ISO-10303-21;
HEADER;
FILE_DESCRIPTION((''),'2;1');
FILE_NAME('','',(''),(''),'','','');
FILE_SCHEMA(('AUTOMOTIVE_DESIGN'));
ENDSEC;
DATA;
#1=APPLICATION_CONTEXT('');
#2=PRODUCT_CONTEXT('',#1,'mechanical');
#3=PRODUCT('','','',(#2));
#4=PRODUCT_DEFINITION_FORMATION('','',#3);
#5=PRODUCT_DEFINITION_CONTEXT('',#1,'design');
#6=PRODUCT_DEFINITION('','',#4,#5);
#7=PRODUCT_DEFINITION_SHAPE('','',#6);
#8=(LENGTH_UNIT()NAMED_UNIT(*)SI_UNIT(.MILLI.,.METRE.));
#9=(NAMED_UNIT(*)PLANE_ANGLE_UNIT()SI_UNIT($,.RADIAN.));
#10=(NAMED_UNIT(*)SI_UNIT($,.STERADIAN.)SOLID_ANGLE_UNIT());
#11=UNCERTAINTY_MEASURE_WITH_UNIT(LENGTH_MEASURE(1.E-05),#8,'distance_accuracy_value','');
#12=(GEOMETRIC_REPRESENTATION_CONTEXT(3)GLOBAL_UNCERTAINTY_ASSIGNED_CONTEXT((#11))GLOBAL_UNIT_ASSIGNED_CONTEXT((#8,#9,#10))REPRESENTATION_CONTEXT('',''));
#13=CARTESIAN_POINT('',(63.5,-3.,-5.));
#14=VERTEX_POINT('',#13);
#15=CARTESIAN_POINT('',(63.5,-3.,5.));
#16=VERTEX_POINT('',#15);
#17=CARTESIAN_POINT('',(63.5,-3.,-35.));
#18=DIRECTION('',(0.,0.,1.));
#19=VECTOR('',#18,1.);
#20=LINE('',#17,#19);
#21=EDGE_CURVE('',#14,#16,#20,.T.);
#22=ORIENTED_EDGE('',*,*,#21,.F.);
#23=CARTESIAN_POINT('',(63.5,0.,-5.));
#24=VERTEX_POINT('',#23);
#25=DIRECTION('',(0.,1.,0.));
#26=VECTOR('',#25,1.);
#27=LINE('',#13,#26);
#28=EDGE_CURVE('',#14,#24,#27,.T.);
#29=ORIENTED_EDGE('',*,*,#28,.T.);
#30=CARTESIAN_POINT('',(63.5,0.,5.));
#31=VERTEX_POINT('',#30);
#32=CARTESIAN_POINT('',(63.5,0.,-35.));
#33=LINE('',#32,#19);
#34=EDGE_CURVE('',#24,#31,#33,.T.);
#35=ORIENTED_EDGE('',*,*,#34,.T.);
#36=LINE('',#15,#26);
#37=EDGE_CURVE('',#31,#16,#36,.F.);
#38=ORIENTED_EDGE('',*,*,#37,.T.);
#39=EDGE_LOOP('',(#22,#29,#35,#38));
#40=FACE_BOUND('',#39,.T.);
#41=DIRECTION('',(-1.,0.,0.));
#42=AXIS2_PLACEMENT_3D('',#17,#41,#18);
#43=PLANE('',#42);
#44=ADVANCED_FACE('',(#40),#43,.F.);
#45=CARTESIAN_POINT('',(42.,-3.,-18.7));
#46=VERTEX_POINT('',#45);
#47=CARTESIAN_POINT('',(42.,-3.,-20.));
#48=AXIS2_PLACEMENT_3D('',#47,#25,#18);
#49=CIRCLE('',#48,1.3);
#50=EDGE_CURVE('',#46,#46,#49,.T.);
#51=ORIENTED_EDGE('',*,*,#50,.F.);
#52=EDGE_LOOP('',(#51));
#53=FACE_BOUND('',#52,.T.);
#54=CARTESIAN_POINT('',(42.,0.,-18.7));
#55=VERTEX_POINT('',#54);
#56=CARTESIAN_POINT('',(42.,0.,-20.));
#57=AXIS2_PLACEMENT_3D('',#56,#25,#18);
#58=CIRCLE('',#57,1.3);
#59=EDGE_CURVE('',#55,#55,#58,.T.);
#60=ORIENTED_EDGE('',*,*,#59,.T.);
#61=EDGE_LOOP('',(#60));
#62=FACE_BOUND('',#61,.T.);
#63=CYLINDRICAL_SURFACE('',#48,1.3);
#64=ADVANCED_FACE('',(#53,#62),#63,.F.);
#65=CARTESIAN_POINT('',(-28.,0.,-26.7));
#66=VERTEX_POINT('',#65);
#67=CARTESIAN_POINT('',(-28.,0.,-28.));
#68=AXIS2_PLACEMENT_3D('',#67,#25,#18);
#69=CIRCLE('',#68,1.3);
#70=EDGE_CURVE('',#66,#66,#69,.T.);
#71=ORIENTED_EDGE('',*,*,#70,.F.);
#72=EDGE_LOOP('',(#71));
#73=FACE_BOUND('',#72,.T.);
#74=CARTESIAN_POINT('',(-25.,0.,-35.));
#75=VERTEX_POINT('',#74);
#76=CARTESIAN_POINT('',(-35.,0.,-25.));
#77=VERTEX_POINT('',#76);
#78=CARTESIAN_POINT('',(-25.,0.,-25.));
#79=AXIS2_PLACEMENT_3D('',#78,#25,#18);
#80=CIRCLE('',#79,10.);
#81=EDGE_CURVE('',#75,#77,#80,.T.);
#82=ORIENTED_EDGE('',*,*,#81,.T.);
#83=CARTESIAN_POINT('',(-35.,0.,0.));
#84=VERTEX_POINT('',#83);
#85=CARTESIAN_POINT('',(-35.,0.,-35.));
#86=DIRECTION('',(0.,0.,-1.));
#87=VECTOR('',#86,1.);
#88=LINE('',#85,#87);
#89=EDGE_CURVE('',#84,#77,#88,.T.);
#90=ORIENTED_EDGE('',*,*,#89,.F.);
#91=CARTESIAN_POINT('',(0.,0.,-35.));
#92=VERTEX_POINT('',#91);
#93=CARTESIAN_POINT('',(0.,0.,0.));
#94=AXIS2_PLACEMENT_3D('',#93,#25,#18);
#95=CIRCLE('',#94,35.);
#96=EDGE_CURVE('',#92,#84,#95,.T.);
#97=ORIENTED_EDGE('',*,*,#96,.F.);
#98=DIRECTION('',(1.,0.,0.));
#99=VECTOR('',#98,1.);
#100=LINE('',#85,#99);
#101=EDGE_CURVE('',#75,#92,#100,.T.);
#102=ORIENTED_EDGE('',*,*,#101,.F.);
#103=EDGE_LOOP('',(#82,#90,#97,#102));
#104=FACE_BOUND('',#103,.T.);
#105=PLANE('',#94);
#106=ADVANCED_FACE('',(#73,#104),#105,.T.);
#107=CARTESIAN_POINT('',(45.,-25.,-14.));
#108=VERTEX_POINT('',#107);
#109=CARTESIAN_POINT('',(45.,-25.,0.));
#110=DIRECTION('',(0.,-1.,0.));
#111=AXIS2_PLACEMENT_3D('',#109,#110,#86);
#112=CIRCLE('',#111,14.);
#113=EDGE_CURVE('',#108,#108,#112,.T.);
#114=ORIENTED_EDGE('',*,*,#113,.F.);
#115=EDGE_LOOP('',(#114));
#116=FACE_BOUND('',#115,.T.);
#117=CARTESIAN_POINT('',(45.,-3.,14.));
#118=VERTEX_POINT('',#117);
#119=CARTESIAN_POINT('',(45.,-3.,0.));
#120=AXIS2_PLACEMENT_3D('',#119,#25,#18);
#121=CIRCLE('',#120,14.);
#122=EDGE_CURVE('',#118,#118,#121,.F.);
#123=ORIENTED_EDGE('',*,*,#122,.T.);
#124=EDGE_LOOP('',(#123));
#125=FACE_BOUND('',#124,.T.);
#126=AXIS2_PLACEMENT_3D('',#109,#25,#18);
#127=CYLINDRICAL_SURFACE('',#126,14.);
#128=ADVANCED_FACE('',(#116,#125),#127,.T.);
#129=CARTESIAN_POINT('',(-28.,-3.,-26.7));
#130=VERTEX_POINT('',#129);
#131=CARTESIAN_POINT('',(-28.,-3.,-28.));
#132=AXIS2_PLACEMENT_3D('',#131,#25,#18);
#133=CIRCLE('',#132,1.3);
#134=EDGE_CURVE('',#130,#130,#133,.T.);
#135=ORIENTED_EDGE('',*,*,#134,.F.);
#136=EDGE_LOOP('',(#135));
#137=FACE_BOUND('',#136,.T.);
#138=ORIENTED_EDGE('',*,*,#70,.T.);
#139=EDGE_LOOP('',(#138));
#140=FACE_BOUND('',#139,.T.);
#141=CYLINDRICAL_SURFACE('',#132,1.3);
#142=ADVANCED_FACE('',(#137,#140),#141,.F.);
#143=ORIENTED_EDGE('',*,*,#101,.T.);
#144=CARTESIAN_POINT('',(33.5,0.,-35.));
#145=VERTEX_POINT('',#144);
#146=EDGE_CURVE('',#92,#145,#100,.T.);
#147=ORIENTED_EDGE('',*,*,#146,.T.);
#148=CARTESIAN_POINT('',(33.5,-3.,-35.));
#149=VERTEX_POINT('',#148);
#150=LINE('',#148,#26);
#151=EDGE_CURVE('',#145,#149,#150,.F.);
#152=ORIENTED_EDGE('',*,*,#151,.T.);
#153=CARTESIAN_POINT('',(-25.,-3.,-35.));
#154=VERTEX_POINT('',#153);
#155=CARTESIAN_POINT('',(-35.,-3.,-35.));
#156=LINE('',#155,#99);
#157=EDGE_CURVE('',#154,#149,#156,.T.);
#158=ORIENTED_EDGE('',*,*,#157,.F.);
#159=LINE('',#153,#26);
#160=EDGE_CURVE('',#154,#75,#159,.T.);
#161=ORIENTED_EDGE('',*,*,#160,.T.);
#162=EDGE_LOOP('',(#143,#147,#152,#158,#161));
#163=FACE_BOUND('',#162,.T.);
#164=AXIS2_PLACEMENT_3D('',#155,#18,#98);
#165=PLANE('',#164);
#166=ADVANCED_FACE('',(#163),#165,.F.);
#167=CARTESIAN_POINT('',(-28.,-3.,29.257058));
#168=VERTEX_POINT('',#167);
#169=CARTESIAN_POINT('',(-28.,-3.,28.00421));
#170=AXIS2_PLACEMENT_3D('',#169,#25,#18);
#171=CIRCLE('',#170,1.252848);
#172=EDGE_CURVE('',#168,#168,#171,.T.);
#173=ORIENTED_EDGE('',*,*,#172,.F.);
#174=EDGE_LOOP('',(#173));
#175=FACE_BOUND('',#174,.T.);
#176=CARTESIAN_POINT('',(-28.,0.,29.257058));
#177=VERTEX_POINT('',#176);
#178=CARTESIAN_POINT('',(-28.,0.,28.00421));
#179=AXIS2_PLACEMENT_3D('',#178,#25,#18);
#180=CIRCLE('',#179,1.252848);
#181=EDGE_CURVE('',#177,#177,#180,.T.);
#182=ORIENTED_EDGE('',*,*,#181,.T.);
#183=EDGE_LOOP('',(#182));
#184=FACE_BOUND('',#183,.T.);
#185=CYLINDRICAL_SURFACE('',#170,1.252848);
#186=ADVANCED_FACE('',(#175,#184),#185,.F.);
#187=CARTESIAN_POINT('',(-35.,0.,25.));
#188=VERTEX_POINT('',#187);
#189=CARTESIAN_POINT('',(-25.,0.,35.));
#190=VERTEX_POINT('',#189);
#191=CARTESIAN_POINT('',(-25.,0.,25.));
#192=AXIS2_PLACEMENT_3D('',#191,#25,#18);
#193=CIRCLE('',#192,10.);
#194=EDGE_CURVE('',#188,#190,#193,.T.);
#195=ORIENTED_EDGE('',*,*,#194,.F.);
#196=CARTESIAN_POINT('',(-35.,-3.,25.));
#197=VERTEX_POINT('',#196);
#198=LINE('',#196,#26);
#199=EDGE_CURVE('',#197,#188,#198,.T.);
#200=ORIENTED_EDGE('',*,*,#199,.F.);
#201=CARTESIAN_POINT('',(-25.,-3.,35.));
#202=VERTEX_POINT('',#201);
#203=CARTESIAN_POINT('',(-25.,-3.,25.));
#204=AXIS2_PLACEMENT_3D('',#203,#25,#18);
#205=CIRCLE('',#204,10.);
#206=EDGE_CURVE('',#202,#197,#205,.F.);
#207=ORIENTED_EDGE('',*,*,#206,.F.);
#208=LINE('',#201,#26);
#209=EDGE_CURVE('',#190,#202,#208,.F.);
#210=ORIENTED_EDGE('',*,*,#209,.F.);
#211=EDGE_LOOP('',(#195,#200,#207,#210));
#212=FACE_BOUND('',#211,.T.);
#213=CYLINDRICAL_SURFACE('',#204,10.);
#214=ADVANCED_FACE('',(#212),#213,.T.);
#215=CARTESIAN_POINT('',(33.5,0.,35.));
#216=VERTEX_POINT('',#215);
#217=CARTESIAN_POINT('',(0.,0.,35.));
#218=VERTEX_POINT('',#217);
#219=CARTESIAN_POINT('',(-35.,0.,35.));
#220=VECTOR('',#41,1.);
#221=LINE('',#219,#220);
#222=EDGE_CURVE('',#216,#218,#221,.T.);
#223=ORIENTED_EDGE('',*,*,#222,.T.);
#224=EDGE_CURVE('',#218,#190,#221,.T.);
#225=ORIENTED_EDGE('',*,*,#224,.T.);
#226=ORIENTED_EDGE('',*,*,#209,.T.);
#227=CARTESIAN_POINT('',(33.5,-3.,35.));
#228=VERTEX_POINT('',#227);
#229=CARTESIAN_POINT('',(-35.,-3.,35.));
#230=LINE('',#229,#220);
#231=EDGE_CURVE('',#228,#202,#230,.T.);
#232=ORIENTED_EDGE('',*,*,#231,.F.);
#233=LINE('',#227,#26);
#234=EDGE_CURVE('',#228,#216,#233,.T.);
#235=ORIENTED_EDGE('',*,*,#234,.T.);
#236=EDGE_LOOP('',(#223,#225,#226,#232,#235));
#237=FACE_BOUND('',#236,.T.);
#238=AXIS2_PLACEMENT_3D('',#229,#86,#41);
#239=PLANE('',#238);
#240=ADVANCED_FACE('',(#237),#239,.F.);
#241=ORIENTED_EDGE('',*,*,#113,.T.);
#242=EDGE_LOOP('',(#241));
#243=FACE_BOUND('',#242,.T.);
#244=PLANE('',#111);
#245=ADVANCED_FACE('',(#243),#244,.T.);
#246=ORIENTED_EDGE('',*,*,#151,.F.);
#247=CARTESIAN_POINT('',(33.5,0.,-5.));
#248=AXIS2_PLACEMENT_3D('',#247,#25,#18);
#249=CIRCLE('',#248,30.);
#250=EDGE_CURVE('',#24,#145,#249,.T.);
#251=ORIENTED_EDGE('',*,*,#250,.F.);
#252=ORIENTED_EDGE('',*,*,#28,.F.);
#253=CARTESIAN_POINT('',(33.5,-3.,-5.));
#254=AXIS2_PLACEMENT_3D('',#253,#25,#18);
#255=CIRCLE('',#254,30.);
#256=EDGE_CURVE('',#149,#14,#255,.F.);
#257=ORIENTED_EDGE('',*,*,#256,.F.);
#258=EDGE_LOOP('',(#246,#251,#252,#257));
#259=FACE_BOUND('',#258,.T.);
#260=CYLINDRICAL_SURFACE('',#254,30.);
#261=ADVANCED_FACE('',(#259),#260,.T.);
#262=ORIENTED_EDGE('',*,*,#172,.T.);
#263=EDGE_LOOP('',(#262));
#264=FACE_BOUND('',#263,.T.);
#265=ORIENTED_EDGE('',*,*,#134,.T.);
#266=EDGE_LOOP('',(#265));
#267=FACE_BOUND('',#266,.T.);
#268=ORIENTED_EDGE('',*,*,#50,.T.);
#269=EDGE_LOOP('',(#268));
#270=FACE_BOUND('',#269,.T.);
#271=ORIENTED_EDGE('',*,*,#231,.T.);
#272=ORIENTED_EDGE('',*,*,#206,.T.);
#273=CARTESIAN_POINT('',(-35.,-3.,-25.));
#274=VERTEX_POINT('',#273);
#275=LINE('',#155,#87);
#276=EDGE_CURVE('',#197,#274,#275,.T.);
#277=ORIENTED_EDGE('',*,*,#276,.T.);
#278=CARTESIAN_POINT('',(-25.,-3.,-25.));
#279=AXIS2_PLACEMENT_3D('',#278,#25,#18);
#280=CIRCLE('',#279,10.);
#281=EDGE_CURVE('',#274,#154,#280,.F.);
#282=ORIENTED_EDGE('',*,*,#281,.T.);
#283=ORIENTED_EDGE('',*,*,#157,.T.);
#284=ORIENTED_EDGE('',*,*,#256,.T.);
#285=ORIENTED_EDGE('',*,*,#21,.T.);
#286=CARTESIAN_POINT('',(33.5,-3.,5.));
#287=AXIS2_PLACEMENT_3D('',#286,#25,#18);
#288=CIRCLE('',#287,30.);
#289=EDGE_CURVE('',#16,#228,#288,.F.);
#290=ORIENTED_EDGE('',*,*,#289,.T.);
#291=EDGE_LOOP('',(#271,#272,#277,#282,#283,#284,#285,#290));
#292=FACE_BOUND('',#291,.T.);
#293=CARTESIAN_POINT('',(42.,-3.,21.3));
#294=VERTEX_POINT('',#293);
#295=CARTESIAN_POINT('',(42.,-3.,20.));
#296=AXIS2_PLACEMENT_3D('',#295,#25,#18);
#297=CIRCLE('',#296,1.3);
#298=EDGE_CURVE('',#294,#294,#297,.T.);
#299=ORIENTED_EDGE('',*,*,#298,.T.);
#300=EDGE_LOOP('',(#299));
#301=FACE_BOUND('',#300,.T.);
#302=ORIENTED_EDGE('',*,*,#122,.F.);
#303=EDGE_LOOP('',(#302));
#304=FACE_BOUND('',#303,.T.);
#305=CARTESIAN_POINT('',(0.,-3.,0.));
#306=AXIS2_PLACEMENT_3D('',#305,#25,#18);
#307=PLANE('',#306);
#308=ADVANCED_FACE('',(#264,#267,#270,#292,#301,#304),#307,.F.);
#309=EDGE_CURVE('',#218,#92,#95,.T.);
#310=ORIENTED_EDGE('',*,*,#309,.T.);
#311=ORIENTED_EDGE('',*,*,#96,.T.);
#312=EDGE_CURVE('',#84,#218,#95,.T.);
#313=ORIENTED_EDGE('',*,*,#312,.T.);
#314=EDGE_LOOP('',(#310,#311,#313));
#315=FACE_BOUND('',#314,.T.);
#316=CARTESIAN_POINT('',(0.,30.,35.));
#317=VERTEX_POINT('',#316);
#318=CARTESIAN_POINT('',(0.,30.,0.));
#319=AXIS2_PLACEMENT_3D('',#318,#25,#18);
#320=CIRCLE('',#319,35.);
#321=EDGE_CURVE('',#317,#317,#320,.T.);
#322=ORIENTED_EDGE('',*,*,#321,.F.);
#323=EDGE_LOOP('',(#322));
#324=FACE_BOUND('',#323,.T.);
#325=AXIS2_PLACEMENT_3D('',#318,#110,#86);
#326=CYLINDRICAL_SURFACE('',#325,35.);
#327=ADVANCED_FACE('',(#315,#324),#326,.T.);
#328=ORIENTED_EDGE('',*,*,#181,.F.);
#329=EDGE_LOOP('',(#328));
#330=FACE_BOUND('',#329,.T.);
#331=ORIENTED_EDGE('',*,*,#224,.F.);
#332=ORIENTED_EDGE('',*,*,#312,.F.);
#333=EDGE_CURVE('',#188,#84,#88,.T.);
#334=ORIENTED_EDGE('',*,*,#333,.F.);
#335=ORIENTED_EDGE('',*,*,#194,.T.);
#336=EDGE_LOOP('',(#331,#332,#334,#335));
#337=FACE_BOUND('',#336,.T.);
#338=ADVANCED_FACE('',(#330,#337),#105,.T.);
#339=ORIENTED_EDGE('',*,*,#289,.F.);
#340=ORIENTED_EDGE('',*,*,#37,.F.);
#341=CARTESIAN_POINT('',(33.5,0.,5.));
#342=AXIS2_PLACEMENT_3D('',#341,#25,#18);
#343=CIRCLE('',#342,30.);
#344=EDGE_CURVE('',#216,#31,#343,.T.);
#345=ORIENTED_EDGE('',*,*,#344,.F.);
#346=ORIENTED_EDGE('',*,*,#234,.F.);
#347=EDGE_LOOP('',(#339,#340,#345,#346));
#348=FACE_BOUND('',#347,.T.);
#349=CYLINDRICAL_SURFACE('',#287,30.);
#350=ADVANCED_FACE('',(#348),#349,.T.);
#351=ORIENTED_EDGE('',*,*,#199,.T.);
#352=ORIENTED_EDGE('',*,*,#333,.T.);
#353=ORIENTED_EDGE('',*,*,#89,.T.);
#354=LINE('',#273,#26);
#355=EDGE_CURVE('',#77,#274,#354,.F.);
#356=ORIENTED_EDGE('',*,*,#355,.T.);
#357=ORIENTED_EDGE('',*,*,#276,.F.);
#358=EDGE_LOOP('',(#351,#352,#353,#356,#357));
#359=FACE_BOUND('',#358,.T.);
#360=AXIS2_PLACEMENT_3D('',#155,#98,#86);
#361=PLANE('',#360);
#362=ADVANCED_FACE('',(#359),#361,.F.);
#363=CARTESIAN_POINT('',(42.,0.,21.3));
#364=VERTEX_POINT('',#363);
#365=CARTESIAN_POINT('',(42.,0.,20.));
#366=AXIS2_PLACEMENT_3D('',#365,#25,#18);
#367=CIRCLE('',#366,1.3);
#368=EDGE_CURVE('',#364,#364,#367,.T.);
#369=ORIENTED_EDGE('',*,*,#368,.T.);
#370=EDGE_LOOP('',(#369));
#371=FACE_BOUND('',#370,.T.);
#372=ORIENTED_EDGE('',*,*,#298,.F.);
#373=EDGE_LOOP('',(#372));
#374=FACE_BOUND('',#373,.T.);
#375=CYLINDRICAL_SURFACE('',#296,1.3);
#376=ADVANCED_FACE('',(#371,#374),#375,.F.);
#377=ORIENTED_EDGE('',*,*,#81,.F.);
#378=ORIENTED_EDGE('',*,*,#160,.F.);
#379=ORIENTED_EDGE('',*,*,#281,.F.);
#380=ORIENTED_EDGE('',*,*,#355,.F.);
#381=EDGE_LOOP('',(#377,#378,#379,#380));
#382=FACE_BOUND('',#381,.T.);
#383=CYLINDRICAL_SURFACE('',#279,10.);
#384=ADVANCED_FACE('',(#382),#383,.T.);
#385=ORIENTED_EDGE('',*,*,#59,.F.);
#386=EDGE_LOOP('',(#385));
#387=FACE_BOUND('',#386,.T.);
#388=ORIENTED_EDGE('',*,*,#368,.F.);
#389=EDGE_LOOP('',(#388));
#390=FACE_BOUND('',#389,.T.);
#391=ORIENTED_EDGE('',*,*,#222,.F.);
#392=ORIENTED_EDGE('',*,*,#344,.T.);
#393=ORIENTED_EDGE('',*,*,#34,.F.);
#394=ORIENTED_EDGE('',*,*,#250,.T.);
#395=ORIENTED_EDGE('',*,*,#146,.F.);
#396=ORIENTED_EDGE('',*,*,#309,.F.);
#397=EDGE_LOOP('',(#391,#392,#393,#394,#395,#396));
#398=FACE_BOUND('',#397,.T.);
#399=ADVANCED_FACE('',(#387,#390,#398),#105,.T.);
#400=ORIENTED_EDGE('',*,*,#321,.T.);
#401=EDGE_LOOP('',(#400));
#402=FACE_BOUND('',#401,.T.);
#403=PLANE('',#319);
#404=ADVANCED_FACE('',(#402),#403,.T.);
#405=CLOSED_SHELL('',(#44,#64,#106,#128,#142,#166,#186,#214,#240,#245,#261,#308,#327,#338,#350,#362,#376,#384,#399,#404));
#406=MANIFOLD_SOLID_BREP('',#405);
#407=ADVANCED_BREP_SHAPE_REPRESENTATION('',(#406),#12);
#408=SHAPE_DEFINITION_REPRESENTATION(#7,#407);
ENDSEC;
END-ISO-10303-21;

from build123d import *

# Parameters (mm, degrees)
SKETCH_1_R          = 35
EXTRUDE_1_DEPTH     = 30
SKETCH_2_W          = 98.5
SKETCH_2_H          = 70
EXTRUDE_2_DEPTH     = 3
FILLET_1_R          = 10
FILLET_2_R          = 30
FILLET_3_R          = 30
SKETCH_3_R          = 1.3
SKETCH_3_R_2        = 1.252848492
CUT_EXTRUDE_1_DEPTH = 3
SKETCH_4_R          = 14
EXTRUDE_3_DEPTH     = 22


with BuildPart() as part:
    # 스케치1 → 보스-돌출1 (new body)
    with BuildSketch(Plane(origin=(0, 0, 0), x_dir=(1, 0, 0), z_dir=(0, 1, 0))):
        Circle(SKETCH_1_R)
    extrude(amount=EXTRUDE_1_DEPTH)

    # 스케치2 → 보스-돌출2 (add)
    with BuildSketch(Plane.XZ):
        with Locations((14.25, 0)):
            Rectangle(SKETCH_2_W, SKETCH_2_H)
    extrude(amount=EXTRUDE_2_DEPTH)

    # 필렛1
    fillet_1_edges = [part.edges().sort_by_distance(p)[0] for p in [
        (-35, -1.5, 35),
        (-35, -1.5, -35),
    ]]
    fillet(fillet_1_edges, radius=FILLET_1_R)

    # 필렛2
    fillet_2_edges = [part.edges().sort_by_distance(p)[0] for p in [
        (63.5, -1.5, -35),
    ]]
    fillet(fillet_2_edges, radius=FILLET_2_R)

    # 필렛3
    fillet_3_edges = [part.edges().sort_by_distance(p)[0] for p in [
        (63.5, -1.5, 35),
    ]]
    fillet(fillet_3_edges, radius=FILLET_3_R)

    # 스케치3 → 컷-돌출1 (cut)
    with BuildSketch(Plane(origin=(0, 0, 0), x_dir=(1, 0, 0), z_dir=(0, 1, 0))):
        with Locations((-28, 28)):
            Circle(SKETCH_3_R)
        with Locations((-28, -28.00420951)):
            Circle(SKETCH_3_R_2)
        with Locations((42, 20)):
            Circle(SKETCH_3_R)
        with Locations((42, -20)):
            Circle(SKETCH_3_R)
    extrude(amount=-CUT_EXTRUDE_1_DEPTH, mode=Mode.SUBTRACT)

    # 스케치4 → 보스-돌출3 (add)
    with BuildSketch(Plane.XZ.offset(3)):
        with Locations((45, 0)):
            Circle(SKETCH_4_R)
    extrude(amount=EXTRUDE_3_DEPTH)


solid = part.part
